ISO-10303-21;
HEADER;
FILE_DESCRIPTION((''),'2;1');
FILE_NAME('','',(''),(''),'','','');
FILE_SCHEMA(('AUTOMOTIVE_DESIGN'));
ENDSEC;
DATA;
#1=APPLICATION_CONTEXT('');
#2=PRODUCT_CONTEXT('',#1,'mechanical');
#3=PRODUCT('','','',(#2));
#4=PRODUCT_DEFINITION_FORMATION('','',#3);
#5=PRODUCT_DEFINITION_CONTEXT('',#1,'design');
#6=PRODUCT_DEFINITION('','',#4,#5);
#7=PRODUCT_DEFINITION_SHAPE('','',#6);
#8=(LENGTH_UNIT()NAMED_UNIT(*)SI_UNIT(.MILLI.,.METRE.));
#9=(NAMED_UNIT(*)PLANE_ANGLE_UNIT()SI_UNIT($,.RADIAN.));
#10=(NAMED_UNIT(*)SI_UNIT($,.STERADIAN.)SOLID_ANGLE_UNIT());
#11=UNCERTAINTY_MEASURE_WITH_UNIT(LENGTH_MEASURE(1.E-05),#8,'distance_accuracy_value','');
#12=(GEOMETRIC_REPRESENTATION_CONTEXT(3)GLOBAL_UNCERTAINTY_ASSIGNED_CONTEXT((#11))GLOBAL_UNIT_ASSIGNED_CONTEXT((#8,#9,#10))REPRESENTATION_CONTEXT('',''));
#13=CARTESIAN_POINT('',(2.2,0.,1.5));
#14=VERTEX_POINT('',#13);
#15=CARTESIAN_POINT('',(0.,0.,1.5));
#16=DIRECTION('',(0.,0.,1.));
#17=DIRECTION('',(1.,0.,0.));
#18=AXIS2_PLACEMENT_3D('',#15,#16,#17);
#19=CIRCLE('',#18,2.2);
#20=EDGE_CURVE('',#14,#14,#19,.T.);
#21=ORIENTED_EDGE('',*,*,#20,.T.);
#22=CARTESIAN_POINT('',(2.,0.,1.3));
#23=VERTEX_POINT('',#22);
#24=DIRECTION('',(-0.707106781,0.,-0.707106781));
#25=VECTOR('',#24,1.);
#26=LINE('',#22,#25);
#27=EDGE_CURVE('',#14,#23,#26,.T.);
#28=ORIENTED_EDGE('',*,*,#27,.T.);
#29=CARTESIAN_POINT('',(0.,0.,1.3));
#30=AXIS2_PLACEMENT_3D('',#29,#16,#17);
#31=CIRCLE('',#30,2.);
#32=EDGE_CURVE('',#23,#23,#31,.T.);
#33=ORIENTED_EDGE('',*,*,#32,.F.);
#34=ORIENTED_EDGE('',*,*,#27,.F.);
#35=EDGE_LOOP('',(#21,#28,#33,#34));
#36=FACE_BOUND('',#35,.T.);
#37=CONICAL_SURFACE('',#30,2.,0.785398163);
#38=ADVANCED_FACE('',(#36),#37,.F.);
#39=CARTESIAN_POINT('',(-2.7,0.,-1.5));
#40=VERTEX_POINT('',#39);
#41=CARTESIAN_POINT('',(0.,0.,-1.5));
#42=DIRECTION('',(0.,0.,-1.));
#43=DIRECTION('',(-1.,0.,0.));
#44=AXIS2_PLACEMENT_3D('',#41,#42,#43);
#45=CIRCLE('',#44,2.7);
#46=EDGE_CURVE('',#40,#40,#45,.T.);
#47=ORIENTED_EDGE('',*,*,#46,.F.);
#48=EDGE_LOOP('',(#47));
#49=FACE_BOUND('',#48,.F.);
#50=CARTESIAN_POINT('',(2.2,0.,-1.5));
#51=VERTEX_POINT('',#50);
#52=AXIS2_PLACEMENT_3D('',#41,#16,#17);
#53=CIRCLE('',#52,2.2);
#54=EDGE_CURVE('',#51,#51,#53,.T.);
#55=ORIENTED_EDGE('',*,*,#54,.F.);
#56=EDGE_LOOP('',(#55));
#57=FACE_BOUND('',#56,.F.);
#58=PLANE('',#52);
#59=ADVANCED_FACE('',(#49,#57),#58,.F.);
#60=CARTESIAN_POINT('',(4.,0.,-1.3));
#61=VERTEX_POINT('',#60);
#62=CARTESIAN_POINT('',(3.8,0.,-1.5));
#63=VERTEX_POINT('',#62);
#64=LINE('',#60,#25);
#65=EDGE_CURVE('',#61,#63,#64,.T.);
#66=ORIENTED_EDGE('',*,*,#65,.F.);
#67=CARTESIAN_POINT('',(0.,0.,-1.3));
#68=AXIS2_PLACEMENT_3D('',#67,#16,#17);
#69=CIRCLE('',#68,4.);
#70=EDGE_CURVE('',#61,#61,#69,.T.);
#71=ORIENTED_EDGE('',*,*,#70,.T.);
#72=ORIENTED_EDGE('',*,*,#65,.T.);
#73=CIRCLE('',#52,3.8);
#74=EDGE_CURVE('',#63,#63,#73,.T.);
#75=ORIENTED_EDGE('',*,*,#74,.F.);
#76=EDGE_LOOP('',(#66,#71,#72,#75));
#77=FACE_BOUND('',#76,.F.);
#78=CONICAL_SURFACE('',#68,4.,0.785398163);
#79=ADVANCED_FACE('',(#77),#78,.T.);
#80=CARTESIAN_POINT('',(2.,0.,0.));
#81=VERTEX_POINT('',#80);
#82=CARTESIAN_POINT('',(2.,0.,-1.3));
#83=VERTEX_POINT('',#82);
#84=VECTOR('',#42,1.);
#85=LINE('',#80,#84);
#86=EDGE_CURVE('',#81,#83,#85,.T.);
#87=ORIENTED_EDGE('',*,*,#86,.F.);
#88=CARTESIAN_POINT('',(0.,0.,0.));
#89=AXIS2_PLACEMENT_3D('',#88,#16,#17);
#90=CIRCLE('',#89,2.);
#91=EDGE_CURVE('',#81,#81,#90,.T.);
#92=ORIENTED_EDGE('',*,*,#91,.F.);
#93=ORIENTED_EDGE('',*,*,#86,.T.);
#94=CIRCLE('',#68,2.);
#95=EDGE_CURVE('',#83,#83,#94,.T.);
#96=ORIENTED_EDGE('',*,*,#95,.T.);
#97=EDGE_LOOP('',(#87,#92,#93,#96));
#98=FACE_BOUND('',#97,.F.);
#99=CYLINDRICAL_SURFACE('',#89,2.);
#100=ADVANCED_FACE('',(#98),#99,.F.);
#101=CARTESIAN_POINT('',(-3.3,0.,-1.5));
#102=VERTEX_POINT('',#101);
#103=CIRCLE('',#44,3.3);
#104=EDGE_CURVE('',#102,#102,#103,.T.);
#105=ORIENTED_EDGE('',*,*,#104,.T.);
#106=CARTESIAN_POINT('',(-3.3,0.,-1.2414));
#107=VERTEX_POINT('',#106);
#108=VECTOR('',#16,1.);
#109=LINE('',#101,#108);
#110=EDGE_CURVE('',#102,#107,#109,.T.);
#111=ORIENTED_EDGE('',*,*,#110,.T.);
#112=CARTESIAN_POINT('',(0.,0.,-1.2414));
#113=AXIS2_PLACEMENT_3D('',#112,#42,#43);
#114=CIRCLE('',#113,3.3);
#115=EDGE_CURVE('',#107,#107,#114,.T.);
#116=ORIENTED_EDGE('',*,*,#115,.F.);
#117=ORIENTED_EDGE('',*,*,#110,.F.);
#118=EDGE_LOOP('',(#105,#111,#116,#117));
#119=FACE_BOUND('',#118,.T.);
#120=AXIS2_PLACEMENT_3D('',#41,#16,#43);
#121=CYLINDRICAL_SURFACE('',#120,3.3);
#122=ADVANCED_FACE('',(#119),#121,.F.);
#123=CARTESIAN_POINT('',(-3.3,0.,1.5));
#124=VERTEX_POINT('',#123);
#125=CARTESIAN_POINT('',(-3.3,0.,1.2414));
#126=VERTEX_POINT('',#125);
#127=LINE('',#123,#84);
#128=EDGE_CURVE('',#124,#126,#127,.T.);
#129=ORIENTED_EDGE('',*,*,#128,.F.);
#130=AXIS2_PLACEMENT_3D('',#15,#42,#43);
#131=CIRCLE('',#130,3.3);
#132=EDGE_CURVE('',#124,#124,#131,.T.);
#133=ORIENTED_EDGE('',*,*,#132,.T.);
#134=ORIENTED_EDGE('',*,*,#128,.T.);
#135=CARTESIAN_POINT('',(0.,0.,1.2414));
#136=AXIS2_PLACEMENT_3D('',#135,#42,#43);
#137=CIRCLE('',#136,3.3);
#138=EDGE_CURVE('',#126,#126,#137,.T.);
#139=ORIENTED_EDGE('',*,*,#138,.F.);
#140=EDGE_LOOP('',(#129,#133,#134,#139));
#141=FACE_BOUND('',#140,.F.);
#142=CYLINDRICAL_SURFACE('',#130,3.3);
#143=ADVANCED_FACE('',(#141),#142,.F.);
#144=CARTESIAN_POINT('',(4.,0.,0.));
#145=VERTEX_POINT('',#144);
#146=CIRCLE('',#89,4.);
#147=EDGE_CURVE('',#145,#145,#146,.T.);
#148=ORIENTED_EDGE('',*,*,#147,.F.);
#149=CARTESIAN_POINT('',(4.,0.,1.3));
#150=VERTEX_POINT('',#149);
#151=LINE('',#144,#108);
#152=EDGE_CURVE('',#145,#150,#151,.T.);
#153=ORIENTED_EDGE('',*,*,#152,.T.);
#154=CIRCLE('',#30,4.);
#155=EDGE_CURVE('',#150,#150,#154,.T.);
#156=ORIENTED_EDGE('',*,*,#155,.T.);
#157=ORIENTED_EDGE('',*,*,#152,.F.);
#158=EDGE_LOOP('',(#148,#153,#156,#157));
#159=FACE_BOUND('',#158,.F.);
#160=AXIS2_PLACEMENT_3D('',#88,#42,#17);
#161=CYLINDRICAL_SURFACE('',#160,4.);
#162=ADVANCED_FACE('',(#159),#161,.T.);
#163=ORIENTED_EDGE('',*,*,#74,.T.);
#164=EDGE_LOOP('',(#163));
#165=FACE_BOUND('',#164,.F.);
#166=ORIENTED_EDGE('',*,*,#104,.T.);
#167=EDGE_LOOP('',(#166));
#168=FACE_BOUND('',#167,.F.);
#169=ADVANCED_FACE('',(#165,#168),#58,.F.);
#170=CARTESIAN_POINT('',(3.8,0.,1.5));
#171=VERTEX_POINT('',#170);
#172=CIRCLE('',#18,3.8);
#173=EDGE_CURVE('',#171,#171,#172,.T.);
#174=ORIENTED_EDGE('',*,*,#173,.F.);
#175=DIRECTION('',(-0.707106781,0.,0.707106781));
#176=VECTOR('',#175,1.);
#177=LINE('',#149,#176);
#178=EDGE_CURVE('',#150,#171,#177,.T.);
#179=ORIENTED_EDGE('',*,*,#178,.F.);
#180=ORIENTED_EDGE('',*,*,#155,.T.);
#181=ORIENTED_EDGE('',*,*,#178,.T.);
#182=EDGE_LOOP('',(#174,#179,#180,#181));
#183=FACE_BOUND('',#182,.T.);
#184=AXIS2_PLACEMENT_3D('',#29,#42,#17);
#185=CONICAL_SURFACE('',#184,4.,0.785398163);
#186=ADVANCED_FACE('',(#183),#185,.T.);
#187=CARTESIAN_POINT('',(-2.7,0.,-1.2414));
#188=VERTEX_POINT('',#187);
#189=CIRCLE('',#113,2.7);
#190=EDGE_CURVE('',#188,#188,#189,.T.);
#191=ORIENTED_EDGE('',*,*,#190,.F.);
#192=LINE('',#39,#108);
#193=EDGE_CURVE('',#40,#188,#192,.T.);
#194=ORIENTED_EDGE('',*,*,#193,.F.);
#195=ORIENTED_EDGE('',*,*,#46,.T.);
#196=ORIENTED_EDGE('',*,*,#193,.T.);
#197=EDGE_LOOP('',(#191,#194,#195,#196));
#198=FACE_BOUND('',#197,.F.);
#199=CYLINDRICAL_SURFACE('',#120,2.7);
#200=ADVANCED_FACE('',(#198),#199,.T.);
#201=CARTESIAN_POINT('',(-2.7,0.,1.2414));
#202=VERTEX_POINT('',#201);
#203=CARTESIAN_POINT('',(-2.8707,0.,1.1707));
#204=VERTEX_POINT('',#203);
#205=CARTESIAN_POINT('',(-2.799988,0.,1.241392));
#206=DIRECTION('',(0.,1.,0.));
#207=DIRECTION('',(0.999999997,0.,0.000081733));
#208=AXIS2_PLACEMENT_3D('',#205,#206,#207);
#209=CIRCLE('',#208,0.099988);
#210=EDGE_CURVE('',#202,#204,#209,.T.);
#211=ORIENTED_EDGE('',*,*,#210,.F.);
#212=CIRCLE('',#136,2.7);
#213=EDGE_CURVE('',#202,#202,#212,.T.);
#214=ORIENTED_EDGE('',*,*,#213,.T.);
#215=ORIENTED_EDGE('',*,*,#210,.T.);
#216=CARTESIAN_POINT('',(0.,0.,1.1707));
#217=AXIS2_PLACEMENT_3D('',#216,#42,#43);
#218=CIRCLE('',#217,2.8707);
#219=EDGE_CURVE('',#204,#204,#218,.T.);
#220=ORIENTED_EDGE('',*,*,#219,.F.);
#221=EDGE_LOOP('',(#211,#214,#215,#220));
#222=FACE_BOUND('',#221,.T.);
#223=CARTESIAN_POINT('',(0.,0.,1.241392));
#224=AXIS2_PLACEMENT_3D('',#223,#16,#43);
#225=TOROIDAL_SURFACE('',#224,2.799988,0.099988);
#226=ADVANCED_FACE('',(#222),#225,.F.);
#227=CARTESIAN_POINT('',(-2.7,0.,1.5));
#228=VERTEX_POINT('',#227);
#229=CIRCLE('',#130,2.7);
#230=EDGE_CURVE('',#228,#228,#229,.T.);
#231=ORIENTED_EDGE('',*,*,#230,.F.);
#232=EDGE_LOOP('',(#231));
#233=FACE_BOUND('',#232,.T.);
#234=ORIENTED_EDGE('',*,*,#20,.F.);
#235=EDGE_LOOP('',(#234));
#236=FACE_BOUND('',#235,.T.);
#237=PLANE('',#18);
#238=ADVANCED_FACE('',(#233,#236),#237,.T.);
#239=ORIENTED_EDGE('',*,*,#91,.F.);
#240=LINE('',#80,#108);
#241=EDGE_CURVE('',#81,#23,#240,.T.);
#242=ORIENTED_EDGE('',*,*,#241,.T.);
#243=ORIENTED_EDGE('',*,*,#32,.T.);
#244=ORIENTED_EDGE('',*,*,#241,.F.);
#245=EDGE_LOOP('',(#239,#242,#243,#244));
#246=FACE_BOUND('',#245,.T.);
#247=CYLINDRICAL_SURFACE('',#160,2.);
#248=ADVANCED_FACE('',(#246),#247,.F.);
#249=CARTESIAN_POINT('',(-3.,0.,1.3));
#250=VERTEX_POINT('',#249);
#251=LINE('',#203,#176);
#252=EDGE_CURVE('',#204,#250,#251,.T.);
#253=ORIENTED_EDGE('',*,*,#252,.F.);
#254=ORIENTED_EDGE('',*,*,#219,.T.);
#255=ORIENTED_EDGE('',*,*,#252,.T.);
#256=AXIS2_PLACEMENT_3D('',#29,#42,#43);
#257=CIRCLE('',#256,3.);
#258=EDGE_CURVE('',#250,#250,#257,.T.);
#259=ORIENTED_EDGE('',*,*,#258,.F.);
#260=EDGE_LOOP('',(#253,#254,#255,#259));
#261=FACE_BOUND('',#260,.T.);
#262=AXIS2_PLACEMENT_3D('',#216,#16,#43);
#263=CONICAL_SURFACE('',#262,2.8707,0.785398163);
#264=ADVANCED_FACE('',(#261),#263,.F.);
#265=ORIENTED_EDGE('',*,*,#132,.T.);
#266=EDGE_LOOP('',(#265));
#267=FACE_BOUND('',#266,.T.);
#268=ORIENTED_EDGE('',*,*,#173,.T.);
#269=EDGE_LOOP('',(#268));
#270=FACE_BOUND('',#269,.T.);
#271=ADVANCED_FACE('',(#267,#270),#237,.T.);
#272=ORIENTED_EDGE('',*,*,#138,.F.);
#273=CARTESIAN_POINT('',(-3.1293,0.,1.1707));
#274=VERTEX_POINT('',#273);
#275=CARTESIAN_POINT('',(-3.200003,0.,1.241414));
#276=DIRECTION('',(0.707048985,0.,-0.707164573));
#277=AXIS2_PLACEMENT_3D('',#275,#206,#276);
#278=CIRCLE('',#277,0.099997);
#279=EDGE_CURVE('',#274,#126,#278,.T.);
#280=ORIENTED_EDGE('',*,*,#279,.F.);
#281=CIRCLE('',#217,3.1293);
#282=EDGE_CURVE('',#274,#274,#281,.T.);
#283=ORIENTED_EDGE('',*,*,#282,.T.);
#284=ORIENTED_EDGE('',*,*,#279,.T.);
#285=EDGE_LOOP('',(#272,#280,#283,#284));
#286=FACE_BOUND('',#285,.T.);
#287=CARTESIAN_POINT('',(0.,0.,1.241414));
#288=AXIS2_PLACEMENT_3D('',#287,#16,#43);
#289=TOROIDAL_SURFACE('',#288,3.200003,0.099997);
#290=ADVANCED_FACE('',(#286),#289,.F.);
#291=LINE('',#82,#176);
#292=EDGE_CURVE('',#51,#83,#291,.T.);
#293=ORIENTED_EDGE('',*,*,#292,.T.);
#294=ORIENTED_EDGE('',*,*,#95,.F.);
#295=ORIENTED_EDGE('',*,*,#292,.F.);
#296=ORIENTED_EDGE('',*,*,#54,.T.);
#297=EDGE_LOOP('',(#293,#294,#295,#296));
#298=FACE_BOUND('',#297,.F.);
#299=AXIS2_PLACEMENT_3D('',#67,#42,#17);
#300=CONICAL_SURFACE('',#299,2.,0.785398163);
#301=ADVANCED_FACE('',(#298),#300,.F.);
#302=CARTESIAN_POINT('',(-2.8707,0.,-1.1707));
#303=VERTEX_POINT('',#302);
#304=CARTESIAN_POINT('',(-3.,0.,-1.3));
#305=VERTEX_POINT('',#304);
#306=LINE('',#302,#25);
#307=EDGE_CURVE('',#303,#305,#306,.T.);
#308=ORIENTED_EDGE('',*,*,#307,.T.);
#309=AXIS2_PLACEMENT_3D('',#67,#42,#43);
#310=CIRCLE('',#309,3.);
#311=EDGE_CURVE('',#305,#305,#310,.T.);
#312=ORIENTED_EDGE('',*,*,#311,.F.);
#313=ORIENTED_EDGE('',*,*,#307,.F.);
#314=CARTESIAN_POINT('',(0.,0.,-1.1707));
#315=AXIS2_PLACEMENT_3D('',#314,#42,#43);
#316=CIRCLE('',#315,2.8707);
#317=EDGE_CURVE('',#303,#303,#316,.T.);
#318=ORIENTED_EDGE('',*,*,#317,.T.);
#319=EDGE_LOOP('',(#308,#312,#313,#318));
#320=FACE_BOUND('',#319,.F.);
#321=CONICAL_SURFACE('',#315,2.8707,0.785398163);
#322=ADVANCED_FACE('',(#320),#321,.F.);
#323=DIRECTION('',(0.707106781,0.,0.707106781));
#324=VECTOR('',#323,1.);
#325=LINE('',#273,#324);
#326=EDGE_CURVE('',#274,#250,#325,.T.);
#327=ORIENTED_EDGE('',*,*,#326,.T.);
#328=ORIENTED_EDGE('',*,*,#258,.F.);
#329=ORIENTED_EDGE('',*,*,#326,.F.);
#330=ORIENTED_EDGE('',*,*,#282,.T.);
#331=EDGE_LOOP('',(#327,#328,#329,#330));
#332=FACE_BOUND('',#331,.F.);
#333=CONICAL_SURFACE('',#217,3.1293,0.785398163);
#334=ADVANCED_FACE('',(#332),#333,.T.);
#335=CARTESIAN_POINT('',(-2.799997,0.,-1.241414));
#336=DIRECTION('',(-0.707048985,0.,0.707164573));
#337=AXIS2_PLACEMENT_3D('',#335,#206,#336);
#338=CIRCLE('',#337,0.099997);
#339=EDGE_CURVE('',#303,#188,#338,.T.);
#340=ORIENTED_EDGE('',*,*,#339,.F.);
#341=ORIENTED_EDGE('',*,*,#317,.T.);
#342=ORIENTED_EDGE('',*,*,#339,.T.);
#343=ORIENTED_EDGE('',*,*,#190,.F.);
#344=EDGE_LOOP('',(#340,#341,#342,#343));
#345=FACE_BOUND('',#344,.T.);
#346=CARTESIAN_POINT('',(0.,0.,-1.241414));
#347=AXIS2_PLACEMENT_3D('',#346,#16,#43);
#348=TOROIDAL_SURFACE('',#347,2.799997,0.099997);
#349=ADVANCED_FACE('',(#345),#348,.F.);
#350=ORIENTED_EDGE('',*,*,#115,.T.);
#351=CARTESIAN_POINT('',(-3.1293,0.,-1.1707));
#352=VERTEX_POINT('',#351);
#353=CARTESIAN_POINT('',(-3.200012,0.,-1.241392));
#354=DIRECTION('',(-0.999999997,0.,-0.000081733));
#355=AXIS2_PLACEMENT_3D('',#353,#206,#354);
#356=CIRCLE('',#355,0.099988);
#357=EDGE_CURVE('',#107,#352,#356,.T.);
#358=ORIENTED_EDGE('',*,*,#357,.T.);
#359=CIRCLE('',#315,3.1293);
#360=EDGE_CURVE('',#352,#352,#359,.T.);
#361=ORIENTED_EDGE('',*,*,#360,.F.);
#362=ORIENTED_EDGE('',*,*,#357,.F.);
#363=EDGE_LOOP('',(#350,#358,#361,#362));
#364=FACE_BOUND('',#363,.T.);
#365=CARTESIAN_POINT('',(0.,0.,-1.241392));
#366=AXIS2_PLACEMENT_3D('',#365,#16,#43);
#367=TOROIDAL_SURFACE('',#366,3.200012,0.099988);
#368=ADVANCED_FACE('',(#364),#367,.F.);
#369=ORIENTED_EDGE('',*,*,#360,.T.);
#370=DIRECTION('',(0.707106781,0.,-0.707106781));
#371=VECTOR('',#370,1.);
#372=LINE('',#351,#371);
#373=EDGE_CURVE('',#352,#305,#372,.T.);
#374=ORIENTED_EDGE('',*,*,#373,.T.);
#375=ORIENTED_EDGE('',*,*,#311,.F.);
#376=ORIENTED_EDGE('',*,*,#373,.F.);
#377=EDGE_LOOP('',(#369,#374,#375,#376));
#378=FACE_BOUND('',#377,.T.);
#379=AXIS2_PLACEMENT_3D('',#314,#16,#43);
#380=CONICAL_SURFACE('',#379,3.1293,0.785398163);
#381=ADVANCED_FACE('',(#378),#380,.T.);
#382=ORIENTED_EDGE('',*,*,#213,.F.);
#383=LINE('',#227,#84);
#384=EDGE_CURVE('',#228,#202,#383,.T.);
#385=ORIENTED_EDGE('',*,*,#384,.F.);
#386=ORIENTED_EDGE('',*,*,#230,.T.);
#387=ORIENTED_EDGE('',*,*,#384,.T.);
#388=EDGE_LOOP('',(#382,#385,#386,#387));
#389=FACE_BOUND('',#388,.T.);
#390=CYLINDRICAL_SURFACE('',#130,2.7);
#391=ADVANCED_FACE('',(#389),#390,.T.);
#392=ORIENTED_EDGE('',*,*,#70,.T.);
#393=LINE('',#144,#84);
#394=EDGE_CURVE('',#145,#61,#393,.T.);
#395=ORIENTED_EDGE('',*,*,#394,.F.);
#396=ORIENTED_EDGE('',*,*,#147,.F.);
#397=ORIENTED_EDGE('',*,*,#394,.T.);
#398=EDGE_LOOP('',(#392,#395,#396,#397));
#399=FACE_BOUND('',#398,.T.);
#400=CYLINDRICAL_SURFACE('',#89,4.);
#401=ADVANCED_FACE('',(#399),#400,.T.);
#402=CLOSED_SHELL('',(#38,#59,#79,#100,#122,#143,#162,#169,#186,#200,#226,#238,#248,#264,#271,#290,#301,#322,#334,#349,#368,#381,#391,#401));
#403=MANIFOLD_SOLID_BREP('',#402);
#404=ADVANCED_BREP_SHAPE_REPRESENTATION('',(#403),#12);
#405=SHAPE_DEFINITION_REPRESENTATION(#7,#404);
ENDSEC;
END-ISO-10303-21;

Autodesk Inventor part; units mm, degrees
ref_plane "YZ Plane" through (0, 0, 0) normal (1, 0, 0) x (0, 1, 0)
ref_plane "XZ Plane" through (0, 0, 0) normal (0, 1, 0) x (-1, 0, 0)
ref_plane "XY Plane" through (0, 0, 0) normal (0, 0, 1) x (1, 0, 0)
sketch "스케치1" plane through (0, 0, 0) normal (0, 0, 1) x (1, 0, 0)
  circle A0 centre (0, 0) radius 2
  circle A1 centre (0, 0) radius 4
  dimension "d0" = 4
  dimension "d1" = 8
extrude "돌출1" add sketch "스케치1" along normal mid plane 3
chamfer "모따기1" distance 0.2 angle 45 4 edges at (-4, 0, 1.5) (-4, 0, -1.5) (-2, 0, 1.5) (-2, 0, -1.5)
sketch "스케치2" plane through (0, 0, 0) normal (0, 1, 0) x (-1, 0, 0)
  line L0 (-3.8, 1.5) -> (3.8, 1.5) projected
  line L1 (3.3, 1.5) -> (3.3, 1.2414)
  line L2 (3.1293, 1.1707) -> (2.8, 1.5)
  line L3 (4, 0) -> (2, 0)
  line L4 (2, 1.3) -> (2, -1.3) projected
  arc A0 (3.1293, 1.1707) -> (3.3, 1.2414) centre (3.2, 1.2414) ccw
  line L5 (3, 0) -> (3, 1.7292)
  line L6 (2.7, 1.5) -> (2.7, 1.2414)
  line L7 (2.8707, 1.1707) -> (3.2, 1.5)
  arc A1 (2.7, 1.2414) -> (2.8707, 1.1707) centre (2.8, 1.2414) ccw
  line L8 (3.3, -1.5) -> (3.3, -1.2414)
  line L9 (3.1293, -1.1707) -> (2.8, -1.5)
  arc A2 (3.3, -1.2414) -> (3.1293, -1.1707) centre (3.2, -1.2414) ccw
  line L10 (2.7, -1.5) -> (2.7, -1.2414)
  line L11 (2.8707, -1.1707) -> (3.2, -1.5)
  arc A3 (2.8707, -1.1707) -> (2.7, -1.2414) centre (2.8, -1.2414) ccw
  line L12 (0, 0) -> (0, -13.1586)
  line L13 (3.8, -1.5) -> (-3.8, -1.5) projected
  line L14 (4, -1.3) -> (4, 1.3) projected
  point P0 (3.3, 1)
  point P1 (2.2, 1.5)
  point P2 (2.7, 1)
  point P3 (3.3, -1)
  point P4 (2.2, -1.5)
  point P5 (2.7, -1)
  dimension "d7" = 0.5
  dimension "d8" = 0.5
  dimension "d9" = 0.5
  dimension "d10" = 0.1
revolve "회전1" cut sketch "스케치2" angle 360 about axis through (0, 0, 0) along (0, 0, -1)
properties part number "6203베어링"
